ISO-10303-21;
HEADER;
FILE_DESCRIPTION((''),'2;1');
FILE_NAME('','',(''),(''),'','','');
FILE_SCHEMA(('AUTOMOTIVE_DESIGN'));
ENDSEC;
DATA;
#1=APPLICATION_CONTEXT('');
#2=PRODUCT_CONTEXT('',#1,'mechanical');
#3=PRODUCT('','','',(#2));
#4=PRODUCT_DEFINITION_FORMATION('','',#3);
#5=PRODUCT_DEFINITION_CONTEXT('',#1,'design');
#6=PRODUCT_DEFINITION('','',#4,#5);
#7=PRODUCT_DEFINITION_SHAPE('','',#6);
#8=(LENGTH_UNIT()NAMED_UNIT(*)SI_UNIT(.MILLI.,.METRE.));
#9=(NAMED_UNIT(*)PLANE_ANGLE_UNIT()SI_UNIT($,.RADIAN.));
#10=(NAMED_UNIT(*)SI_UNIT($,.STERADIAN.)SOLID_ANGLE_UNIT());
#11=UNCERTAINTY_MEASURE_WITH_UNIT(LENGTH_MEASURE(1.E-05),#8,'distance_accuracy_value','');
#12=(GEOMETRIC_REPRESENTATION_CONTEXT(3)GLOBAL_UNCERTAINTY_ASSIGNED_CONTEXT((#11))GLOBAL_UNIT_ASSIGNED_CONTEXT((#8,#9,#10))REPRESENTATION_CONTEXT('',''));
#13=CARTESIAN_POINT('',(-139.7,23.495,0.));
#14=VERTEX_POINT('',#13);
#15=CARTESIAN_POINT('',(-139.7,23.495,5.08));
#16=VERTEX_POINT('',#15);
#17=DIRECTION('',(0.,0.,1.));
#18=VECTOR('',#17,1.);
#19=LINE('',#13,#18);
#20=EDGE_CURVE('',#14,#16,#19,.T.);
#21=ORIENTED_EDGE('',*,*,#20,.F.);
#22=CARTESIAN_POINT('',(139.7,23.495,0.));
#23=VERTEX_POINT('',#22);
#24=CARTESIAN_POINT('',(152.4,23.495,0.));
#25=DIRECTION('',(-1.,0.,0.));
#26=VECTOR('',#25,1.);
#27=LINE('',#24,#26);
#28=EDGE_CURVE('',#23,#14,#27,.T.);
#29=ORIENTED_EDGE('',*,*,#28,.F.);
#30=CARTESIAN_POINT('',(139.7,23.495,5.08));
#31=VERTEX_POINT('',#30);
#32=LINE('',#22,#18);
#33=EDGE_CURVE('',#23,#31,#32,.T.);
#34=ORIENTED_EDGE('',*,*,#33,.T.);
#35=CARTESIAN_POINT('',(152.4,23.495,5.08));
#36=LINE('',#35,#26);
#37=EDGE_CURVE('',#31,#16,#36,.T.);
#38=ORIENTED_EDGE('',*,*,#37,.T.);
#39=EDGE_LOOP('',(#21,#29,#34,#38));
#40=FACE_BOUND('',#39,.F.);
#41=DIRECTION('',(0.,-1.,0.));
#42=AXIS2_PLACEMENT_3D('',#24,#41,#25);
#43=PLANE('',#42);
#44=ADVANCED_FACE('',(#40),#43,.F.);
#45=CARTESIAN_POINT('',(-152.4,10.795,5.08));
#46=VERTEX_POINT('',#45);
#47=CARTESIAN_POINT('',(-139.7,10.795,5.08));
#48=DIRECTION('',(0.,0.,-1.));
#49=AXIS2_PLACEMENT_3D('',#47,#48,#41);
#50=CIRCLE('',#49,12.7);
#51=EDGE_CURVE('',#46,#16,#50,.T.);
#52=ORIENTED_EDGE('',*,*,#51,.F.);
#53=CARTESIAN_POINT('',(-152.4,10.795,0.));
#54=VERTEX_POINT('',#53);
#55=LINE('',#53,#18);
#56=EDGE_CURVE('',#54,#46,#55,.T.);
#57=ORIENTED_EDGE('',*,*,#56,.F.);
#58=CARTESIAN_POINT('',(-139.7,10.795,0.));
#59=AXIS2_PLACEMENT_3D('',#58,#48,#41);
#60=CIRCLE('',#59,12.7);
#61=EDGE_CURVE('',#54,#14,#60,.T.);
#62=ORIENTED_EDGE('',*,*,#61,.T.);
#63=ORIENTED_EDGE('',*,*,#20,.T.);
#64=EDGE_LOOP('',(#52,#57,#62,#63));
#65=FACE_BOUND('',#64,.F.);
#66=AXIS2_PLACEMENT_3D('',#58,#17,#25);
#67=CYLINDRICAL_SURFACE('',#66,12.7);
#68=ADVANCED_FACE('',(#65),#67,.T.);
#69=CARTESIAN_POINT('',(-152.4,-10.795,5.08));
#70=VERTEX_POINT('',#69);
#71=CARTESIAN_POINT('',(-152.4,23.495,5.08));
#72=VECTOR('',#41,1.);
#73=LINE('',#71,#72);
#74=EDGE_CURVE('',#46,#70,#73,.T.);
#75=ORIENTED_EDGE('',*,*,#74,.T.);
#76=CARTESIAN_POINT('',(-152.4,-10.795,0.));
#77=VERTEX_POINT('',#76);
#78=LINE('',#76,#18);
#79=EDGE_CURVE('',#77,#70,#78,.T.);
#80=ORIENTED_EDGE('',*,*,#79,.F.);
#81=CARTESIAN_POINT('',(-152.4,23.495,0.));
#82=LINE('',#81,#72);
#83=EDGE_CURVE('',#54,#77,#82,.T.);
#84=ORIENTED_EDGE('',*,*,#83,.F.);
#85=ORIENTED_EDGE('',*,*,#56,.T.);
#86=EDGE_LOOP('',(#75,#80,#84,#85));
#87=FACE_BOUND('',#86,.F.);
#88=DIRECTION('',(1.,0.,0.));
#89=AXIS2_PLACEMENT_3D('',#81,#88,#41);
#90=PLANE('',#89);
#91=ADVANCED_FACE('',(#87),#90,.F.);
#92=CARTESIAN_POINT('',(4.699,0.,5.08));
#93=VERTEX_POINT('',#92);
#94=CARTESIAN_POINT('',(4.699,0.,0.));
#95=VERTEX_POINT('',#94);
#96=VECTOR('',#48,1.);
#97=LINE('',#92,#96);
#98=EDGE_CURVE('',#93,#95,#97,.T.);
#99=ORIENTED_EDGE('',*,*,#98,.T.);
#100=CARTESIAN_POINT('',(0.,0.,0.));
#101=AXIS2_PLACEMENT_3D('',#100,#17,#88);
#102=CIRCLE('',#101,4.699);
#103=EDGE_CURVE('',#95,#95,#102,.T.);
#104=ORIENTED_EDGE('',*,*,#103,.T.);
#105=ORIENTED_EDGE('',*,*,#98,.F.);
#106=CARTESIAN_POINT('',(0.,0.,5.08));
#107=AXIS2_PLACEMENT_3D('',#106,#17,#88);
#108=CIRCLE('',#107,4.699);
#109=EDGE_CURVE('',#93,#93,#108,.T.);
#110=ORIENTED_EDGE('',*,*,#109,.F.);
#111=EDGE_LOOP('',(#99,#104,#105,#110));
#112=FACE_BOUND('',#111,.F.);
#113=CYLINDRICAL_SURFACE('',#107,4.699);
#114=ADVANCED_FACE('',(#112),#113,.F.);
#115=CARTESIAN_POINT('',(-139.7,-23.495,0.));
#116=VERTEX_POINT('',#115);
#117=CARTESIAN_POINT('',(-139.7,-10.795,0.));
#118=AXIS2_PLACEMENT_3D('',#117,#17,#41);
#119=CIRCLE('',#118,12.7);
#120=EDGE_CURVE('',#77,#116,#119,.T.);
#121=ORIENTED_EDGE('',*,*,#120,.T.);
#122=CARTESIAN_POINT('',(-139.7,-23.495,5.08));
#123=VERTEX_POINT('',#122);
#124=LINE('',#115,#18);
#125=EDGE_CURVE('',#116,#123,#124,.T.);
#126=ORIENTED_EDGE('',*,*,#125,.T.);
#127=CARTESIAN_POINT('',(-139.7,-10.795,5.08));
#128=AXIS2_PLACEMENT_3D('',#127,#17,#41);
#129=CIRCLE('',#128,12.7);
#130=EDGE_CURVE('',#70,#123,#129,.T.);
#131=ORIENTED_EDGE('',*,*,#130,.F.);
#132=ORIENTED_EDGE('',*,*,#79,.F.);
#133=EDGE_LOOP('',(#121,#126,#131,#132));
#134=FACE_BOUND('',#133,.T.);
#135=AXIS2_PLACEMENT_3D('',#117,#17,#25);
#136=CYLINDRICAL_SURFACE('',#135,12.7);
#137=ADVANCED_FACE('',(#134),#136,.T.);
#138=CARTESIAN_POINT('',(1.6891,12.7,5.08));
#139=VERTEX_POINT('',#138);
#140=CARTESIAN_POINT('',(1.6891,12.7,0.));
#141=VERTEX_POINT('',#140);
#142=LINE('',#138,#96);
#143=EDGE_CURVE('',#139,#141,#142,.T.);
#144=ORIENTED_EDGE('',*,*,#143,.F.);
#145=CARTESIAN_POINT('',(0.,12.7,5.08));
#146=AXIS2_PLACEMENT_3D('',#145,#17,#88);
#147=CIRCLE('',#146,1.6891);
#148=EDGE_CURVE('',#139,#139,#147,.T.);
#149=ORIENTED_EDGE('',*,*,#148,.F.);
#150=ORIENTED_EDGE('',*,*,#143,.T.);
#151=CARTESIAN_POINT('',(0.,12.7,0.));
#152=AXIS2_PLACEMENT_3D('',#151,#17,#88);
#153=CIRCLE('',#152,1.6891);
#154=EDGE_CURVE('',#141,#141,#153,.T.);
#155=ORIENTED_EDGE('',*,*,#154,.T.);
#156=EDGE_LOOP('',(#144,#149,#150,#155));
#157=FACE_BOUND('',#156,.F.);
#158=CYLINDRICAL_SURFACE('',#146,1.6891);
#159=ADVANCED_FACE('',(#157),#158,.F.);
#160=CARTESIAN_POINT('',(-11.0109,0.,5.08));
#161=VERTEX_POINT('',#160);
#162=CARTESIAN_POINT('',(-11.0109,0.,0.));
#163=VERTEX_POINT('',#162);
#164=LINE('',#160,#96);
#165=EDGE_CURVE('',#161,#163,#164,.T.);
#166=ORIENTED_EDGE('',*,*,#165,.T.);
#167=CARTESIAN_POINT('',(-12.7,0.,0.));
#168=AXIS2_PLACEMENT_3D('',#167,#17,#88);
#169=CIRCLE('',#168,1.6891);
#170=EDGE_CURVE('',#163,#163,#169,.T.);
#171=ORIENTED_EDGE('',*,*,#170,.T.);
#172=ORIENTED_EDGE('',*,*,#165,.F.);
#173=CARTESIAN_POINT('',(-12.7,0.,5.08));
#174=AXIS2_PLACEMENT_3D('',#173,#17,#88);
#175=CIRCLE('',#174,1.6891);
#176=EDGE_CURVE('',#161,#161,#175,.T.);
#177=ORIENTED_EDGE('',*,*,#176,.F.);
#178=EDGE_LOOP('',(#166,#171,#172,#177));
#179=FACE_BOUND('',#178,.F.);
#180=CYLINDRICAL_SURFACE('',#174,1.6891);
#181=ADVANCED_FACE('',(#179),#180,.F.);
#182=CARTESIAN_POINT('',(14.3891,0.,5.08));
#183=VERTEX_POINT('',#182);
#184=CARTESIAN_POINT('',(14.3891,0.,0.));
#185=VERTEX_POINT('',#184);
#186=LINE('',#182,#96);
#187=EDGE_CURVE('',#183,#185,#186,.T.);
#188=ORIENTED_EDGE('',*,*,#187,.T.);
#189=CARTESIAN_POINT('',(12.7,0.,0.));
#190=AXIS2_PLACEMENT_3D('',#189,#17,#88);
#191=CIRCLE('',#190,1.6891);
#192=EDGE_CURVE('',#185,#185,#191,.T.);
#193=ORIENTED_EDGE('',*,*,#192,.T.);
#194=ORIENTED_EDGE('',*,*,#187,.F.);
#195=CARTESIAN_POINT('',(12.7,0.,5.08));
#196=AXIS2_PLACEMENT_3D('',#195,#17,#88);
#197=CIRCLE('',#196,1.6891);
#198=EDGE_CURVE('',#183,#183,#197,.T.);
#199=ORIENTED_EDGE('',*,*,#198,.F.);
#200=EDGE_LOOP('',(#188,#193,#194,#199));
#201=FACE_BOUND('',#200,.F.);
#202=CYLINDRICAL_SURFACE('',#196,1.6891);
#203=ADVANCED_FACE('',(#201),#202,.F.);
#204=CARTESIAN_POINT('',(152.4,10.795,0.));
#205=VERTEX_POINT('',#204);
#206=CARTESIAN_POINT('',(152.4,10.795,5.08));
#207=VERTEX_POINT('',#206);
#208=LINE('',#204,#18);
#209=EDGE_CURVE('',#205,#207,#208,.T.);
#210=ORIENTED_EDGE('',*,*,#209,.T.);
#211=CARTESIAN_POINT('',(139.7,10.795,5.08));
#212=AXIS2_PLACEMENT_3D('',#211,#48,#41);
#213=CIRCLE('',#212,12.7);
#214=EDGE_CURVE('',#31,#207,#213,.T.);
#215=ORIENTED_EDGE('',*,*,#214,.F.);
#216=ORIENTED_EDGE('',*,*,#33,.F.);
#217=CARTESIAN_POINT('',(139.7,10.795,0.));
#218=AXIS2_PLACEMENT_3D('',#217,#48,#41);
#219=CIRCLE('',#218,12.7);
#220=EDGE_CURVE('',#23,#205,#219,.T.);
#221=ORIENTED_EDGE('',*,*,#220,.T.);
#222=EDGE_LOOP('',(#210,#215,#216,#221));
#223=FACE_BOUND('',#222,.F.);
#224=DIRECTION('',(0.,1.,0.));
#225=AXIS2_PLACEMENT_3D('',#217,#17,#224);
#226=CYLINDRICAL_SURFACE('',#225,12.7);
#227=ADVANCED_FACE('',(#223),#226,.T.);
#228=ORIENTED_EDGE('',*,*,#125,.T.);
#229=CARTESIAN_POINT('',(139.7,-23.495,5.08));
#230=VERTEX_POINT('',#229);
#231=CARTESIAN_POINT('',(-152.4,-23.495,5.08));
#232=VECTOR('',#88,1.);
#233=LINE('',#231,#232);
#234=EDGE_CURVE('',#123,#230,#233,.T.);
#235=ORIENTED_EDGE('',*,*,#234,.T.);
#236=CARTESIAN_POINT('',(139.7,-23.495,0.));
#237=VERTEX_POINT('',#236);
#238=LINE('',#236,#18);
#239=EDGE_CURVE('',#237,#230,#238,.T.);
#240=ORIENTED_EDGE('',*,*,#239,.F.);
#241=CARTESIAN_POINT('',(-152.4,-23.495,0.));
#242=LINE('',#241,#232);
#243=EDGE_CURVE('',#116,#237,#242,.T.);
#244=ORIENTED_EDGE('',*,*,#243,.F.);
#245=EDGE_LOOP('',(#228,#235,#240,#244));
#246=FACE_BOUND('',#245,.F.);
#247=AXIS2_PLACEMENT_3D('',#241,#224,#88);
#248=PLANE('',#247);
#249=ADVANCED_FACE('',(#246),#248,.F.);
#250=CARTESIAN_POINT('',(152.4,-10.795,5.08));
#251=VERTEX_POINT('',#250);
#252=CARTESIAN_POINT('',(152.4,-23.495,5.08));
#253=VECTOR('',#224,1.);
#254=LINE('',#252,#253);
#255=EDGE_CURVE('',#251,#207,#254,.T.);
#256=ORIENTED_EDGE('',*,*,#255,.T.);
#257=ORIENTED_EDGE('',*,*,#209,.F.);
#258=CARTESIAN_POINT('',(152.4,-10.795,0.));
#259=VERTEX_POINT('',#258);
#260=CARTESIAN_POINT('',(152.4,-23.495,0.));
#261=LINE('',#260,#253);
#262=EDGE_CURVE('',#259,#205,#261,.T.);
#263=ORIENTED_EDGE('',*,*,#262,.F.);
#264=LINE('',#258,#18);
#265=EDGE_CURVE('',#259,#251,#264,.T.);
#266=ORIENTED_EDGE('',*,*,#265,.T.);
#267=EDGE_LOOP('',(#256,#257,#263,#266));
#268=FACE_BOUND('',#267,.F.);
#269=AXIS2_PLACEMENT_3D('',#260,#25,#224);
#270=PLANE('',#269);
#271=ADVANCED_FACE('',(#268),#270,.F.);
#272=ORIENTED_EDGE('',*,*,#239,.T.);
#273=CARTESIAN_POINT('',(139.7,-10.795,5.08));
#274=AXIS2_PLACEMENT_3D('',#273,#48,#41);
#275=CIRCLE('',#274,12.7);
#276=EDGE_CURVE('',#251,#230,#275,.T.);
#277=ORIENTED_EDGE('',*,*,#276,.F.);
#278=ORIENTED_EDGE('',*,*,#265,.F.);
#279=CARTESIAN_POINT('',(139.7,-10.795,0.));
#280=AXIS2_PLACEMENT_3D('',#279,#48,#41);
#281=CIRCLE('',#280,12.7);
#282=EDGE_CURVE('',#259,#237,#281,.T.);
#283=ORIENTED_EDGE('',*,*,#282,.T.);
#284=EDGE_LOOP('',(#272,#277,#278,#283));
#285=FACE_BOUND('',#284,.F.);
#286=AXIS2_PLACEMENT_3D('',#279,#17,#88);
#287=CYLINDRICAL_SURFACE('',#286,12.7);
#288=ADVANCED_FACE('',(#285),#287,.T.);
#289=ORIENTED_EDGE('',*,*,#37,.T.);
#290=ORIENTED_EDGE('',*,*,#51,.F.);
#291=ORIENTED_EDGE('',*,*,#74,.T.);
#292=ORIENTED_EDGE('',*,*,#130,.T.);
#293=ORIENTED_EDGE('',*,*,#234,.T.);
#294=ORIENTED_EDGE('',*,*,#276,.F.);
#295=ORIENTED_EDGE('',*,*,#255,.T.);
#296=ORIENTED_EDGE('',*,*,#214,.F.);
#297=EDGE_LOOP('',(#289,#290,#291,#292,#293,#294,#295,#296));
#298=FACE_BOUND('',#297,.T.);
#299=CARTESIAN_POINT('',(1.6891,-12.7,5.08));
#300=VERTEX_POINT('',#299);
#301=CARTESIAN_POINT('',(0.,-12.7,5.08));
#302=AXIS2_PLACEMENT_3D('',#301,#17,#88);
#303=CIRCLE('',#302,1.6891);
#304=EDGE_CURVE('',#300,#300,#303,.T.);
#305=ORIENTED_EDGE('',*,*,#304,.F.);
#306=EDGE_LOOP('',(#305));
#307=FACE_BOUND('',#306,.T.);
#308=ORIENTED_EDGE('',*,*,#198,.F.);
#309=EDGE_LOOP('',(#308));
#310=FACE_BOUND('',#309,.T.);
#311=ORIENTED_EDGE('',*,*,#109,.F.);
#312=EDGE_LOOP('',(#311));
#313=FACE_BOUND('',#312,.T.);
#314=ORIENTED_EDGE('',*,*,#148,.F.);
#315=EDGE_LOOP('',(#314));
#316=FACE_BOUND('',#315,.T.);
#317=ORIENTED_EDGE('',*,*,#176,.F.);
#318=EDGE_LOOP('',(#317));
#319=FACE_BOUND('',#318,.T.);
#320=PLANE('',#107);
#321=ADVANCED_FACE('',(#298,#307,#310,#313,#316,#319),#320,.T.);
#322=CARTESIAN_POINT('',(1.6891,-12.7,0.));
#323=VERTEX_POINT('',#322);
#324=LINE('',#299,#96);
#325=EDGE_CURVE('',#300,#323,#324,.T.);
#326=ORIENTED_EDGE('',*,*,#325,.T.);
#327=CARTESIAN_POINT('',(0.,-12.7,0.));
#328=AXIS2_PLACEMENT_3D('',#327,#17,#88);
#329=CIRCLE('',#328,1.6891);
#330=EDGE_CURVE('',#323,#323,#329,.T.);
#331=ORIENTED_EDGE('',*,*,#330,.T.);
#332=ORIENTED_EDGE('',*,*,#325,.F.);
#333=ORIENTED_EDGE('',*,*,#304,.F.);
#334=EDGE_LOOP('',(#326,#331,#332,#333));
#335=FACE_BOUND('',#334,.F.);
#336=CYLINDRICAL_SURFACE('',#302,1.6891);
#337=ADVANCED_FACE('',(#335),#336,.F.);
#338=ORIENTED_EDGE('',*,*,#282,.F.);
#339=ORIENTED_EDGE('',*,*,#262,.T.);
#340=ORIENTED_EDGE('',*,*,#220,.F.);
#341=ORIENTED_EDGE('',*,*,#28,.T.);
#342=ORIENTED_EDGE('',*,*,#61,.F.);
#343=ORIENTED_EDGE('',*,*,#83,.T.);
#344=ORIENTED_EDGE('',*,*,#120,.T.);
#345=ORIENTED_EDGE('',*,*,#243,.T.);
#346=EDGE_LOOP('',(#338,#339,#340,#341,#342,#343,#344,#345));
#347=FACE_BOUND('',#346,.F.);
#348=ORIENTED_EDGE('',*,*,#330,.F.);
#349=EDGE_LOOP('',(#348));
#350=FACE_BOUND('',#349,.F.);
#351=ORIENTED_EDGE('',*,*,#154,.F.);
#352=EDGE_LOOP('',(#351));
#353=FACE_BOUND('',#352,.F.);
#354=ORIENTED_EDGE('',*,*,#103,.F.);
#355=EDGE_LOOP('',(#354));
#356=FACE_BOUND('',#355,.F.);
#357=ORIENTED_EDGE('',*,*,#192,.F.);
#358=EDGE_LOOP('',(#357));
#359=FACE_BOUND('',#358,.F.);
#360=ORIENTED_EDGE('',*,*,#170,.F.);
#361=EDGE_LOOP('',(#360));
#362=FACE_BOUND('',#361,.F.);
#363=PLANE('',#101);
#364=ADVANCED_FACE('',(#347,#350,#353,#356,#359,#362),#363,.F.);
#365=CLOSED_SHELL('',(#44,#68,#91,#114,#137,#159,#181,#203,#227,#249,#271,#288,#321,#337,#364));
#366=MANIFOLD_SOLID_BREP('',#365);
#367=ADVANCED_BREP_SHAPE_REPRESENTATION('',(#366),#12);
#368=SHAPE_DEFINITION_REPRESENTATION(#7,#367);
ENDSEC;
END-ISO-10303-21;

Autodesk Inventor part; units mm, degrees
ref_plane "YZ Plane" through (0, 0, 0) normal (1, 0, 0) x (0, 1, 0)
ref_plane "XZ Plane" through (0, 0, 0) normal (0, 1, 0) x (-1, 0, 0)
ref_plane "XY Plane" through (0, 0, 0) normal (0, 0, 1) x (1, 0, 0)
sketch "Sketch1" plane through (0, 0, 0) normal (0, 0, 1) x (1, 0, 0)
  line L0 (-152.4, -23.495) -> (152.4, -23.495)
  line L1 (152.4, -23.495) -> (152.4, 23.495)
  line L2 (152.4, 23.495) -> (-152.4, 23.495)
  line L3 (-152.4, 23.495) -> (-152.4, -23.495)
  line L4 (-152.4, -23.495) -> (152.4, 23.495) construction
  line L5 (152.4, -23.495) -> (-152.4, 23.495) construction
  point P0 (0, 0)
  dimension "d0" = 304.8
  dimension "d1" = 46.99
extrude "Extrusion1" add sketch "Sketch1" along normal blind 5.08
fillet "Fillet1" radius 12.7 4 edges at (152.4, 23.495, 2.54) (152.4, -23.495, 2.54) (-152.4, 23.495, 2.54) (-152.4, -23.495, 2.54)
sketch "Sketch2" plane through (0, 0, 5.08) normal (0, 0, 1) x (1, 0, 0)
  line L0 (-40.64, -20.32) -> (40.64, -20.32)
  line L1 (40.64, -20.32) -> (40.64, 20.32)
  line L2 (40.64, 20.32) -> (-40.64, 20.32)
  line L3 (-40.64, 20.32) -> (-40.64, -20.32)
  line L4 (-40.64, -20.32) -> (40.64, 20.32) construction
  line L5 (40.64, -20.32) -> (-40.64, 20.32) construction
  point P0 (0, 0)
  dimension "d5" = 81.28
  dimension "d6" = 40.64
sketch "Sketch3" plane through (0, 0, 5.08) normal (0, 0, 1) x (1, 0, 0)
  circle A0 centre (0, 12.7) radius 1.6891
  circle A1 centre (0, -12.7) radius 1.6891
  circle A2 centre (12.7, 0) radius 1.6891
  circle A3 centre (-12.7, 0) radius 1.6891
  circle A4 centre (0, 0) radius 4.699
  point P0 (0, 0)
  point P1 (0, 0)
  dimension "d7" = 3.3782
  dimension "d8" = 3.3782
  dimension "d9" = 3.3782
  dimension "d10" = 3.3782
  dimension "d11" = 9.398
  dimension "d12" = 12.7
  dimension "d13" = 12.7
  dimension "d14" = 12.7
  dimension "d15" = 12.7
  dimension "d16" = 0
extrude "Extrusion2" cut sketch "Sketch3" against normal blind 5.08
properties part number "New_Top"
